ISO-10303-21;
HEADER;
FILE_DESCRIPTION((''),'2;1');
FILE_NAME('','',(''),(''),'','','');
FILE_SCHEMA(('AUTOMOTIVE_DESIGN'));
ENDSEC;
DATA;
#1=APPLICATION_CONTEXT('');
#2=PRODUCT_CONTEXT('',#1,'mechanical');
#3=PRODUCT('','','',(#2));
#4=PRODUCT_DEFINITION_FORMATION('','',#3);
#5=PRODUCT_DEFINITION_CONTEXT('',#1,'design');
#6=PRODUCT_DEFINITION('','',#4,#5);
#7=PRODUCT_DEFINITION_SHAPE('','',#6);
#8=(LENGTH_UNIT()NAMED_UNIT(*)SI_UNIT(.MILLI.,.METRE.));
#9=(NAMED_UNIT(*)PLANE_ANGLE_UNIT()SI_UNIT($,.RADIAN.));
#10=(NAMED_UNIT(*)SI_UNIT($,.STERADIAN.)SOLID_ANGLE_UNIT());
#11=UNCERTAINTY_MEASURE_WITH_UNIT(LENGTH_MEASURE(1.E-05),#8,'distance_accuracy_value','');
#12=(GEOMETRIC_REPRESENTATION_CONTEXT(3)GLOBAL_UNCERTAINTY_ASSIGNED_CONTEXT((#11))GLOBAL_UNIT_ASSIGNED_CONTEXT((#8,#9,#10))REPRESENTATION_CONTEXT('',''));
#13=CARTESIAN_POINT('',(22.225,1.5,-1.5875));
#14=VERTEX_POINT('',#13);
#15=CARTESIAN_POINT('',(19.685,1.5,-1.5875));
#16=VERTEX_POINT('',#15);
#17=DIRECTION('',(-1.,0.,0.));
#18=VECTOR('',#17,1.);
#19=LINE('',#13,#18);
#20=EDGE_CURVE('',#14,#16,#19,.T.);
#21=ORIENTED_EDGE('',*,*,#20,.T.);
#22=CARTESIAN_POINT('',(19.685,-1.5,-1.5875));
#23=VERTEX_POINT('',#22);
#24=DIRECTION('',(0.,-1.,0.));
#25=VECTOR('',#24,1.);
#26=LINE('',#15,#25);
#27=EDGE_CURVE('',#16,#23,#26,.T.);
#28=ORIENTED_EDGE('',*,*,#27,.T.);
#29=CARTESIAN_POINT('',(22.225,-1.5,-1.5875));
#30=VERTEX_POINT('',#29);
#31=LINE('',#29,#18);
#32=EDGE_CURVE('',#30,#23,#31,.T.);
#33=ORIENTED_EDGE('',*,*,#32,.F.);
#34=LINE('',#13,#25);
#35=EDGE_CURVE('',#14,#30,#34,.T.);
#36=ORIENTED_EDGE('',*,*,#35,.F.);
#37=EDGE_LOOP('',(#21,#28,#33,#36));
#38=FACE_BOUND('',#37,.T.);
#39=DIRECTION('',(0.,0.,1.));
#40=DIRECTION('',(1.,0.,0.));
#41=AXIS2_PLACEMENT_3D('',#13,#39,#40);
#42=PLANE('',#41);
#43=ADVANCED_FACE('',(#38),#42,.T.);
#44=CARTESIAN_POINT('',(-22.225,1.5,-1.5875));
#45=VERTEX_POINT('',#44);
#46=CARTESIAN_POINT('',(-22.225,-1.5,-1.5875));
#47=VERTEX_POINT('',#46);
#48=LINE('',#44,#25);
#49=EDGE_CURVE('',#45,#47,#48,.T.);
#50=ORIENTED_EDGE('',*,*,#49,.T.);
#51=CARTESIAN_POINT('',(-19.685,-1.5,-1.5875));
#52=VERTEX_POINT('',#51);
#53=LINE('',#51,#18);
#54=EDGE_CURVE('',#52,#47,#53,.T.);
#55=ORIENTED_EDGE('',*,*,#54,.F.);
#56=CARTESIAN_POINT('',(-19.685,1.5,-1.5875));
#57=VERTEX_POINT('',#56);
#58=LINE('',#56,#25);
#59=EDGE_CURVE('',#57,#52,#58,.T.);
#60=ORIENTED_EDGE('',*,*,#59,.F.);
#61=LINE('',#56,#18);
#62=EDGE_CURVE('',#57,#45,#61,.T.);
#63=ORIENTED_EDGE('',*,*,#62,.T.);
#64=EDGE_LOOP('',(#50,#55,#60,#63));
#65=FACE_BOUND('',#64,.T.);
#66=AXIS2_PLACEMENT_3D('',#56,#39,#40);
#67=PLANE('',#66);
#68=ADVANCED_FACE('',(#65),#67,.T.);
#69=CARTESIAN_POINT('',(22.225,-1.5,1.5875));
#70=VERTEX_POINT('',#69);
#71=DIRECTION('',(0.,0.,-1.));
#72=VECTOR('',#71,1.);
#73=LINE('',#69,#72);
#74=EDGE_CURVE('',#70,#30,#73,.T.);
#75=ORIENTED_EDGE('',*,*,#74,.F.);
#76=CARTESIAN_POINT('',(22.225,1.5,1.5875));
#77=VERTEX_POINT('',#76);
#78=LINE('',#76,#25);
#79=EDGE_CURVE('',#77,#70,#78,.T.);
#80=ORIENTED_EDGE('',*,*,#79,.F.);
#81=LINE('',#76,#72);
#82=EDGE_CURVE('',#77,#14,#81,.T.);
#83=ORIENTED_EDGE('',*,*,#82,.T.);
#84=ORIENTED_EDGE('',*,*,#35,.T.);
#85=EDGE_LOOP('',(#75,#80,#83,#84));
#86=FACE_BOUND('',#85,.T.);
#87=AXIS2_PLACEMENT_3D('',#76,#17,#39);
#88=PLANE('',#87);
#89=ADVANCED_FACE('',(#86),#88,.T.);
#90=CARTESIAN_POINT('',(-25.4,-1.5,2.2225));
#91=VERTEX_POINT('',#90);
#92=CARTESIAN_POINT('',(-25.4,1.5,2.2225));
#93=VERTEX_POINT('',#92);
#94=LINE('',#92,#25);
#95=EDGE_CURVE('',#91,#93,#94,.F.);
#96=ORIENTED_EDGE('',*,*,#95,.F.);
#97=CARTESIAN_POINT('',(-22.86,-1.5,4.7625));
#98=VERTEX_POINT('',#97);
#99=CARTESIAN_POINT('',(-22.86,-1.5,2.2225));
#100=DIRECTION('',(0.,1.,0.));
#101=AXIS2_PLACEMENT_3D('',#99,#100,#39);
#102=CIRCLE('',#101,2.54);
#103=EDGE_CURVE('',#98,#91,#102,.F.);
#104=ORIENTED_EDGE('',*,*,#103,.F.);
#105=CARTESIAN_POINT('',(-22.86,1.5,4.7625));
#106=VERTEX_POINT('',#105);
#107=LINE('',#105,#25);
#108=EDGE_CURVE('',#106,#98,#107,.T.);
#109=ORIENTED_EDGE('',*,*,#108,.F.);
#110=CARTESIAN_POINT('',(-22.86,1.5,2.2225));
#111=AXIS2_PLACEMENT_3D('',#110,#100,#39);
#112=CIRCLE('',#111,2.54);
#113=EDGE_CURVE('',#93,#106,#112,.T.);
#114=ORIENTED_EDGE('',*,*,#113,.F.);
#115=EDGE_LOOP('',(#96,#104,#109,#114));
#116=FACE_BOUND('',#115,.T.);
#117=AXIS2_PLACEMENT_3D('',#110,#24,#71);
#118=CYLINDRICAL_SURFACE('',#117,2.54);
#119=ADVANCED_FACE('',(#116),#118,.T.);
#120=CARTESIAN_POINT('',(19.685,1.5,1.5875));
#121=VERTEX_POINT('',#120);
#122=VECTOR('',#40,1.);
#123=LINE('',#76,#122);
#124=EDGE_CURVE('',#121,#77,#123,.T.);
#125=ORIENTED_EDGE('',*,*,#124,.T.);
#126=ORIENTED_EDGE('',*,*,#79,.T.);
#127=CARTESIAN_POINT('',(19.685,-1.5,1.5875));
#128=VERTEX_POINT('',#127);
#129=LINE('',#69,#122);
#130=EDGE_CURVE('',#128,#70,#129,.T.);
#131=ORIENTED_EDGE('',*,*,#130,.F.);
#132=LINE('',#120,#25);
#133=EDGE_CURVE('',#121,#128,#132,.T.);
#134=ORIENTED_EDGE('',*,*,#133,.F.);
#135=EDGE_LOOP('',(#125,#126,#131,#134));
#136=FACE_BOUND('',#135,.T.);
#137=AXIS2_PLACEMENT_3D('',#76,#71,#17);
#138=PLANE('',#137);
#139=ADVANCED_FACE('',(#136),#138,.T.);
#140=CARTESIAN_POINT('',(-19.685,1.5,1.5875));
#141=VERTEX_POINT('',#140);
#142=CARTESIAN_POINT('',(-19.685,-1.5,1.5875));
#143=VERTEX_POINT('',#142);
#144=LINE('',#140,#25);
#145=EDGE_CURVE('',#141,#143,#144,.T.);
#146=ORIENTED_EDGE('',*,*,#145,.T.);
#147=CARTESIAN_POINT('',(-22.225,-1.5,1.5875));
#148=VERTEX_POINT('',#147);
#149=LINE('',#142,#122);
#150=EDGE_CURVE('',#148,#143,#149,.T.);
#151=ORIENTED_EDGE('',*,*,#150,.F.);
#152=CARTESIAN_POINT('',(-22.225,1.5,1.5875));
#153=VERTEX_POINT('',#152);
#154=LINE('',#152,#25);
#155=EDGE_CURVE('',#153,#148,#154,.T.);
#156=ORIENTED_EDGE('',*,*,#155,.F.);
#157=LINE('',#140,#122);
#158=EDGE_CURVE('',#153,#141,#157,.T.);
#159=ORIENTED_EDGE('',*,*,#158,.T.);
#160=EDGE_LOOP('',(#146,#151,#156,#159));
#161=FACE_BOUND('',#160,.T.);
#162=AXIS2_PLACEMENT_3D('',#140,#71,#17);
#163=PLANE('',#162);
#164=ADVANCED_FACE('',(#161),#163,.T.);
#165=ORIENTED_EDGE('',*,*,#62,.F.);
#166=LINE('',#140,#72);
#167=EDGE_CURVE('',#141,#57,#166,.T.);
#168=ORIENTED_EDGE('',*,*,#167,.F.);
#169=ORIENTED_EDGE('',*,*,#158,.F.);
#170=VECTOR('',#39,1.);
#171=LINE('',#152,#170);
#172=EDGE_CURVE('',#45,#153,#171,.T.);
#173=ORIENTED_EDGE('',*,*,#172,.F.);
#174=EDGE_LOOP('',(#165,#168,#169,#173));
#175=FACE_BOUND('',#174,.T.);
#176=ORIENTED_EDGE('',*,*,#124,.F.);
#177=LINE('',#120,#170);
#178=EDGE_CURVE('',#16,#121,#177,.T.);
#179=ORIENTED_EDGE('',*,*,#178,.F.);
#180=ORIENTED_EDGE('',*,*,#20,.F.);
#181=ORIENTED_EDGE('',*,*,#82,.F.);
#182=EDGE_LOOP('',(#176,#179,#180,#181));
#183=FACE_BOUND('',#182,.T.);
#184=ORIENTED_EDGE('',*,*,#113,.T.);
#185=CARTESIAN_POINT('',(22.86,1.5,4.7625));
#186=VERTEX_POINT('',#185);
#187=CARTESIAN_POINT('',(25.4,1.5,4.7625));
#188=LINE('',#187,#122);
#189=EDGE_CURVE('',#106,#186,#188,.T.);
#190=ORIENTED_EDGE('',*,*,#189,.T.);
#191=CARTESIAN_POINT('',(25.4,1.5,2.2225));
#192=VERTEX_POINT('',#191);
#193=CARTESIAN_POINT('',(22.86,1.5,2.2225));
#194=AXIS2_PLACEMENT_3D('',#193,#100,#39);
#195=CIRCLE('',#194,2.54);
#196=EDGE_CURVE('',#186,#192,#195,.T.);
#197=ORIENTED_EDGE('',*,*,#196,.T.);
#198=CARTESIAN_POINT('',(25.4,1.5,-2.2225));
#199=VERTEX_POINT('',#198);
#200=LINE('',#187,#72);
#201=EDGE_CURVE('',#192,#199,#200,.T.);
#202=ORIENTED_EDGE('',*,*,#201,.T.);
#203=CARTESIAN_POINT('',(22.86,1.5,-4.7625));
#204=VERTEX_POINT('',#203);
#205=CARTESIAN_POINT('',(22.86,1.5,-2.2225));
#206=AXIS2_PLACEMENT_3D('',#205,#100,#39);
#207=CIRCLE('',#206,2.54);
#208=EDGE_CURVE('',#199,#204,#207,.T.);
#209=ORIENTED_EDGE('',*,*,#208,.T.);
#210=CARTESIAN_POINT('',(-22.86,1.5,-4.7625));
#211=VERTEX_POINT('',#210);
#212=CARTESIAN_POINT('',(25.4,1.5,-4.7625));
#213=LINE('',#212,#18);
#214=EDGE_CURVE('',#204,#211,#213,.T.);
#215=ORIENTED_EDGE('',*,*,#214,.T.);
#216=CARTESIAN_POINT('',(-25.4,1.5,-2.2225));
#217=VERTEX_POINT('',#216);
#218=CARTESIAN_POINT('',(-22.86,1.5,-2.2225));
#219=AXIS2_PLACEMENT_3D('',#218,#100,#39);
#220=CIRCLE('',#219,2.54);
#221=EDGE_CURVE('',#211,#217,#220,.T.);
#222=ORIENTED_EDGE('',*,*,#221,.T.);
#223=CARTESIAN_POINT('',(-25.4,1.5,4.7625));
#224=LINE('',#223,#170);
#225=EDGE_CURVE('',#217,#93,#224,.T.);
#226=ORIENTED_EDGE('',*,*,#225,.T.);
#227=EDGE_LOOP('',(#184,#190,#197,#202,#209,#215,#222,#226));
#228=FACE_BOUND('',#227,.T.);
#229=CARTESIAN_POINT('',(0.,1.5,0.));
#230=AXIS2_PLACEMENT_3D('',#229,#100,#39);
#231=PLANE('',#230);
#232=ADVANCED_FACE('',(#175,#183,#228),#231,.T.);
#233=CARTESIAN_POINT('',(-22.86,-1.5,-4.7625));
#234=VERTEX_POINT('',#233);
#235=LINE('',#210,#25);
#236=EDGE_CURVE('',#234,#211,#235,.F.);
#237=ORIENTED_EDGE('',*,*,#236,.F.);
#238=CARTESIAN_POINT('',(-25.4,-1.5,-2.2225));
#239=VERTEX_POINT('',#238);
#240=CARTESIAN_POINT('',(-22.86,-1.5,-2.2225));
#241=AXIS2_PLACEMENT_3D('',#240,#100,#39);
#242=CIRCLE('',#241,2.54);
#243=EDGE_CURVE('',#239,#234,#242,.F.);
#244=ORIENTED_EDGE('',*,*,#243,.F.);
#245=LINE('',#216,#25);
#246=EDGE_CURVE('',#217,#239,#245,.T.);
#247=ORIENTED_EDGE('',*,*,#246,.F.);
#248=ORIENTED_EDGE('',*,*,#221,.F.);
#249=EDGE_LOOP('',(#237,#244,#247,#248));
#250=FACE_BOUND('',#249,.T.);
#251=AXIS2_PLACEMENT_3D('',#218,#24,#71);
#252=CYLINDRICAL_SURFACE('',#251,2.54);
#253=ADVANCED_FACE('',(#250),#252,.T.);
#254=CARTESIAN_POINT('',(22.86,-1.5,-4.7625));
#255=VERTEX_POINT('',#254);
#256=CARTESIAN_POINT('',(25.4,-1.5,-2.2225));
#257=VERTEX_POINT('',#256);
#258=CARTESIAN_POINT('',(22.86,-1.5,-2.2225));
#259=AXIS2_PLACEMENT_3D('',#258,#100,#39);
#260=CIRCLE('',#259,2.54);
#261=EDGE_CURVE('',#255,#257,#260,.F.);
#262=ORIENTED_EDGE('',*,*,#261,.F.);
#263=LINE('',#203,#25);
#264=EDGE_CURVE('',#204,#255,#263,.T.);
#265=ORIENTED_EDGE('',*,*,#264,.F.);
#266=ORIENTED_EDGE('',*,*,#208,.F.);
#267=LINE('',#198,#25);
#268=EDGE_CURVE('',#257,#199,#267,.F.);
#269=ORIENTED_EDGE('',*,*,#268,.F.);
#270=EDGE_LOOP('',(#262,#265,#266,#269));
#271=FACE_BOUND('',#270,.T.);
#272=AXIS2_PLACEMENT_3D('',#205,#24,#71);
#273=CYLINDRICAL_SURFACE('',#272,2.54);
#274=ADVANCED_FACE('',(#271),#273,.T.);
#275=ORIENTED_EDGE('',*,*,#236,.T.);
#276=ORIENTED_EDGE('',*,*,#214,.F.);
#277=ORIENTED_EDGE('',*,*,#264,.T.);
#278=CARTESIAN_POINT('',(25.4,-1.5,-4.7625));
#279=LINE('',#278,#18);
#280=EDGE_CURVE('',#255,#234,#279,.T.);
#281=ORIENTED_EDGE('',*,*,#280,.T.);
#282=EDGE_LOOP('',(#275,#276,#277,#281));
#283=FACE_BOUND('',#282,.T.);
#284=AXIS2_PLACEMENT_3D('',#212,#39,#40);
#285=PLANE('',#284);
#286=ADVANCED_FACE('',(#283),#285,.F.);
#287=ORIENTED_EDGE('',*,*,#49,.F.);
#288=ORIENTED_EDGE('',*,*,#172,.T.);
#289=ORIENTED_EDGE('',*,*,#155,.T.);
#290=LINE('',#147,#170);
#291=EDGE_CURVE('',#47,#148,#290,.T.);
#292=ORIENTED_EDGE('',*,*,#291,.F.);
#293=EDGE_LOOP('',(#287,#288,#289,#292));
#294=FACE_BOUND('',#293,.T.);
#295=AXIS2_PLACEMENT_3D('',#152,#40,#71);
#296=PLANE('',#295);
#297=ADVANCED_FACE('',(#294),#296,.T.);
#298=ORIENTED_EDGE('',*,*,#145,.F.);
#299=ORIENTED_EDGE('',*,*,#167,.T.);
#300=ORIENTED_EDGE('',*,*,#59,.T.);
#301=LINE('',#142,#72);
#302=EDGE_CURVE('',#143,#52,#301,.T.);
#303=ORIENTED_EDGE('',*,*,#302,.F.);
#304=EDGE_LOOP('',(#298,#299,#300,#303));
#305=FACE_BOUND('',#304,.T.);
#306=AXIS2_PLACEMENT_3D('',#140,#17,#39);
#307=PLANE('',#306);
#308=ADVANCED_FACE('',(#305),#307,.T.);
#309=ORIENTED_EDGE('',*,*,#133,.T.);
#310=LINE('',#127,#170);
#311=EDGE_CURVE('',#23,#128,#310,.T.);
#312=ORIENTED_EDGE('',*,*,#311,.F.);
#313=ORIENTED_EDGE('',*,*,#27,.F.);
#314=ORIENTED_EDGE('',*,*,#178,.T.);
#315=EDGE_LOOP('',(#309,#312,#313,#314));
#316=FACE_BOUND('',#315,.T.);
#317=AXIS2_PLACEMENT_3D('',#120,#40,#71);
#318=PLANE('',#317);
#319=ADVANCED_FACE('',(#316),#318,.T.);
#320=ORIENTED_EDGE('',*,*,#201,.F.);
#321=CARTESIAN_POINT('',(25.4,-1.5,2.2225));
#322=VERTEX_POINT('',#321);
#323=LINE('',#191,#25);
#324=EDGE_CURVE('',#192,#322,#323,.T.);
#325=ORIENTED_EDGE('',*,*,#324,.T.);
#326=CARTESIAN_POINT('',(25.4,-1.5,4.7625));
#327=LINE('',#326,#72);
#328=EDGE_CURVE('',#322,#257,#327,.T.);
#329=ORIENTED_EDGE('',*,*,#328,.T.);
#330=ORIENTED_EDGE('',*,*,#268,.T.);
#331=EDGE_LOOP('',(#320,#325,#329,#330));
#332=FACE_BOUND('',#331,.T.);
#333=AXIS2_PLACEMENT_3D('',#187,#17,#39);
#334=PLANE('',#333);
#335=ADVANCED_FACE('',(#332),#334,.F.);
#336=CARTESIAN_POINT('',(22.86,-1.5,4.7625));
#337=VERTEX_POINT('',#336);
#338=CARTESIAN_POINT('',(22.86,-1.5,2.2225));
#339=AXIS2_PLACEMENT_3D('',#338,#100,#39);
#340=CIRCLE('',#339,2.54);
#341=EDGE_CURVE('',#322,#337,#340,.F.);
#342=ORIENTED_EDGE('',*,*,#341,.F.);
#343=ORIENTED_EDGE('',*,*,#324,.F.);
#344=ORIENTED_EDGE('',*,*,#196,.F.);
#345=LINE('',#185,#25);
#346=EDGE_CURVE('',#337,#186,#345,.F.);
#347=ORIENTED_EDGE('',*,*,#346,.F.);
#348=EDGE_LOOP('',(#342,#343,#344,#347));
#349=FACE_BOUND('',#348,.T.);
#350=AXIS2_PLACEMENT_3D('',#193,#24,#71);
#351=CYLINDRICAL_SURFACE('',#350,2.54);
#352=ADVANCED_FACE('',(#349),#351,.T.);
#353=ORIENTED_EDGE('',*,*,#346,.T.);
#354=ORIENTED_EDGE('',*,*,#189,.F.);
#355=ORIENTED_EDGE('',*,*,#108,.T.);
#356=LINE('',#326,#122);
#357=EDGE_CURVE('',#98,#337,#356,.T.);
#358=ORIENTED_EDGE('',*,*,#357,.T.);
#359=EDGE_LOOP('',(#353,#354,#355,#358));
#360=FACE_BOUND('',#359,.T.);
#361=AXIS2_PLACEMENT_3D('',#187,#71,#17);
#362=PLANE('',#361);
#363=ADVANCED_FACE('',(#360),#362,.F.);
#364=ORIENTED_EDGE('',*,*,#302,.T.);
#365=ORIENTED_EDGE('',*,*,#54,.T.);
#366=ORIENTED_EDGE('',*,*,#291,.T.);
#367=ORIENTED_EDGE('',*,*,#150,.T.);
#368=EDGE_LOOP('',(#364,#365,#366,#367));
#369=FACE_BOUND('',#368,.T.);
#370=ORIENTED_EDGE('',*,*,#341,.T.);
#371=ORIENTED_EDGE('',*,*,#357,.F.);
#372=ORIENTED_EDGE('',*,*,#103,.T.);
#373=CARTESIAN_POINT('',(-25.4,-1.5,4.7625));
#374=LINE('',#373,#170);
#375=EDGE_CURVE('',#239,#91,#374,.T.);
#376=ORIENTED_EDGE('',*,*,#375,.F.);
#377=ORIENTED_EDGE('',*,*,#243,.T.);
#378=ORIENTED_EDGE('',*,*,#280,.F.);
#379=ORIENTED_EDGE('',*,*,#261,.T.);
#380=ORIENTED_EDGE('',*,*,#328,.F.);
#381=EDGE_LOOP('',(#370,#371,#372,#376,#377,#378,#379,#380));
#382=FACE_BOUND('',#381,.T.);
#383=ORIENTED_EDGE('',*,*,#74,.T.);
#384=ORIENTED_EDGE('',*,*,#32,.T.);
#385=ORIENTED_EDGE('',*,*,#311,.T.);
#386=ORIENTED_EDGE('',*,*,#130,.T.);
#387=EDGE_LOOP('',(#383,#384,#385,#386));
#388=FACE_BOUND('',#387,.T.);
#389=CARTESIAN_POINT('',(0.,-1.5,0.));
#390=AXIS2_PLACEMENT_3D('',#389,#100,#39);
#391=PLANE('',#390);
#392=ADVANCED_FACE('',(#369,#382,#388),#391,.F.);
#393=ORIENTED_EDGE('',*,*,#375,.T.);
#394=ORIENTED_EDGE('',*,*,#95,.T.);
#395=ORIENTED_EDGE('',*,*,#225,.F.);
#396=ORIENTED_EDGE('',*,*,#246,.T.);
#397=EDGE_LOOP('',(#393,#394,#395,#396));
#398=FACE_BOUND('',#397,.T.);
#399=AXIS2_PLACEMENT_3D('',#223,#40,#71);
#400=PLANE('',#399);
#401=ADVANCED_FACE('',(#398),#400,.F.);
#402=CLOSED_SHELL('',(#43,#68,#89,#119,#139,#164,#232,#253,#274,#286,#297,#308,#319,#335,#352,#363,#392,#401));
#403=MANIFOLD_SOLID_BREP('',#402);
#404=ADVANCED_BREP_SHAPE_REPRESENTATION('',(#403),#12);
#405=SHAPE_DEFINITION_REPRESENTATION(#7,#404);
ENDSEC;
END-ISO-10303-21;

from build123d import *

# Parameters (mm, degrees)
SKETCH1_W           = 50.8
SKETCH1_H           = 9.525
SKETCH1_W_2         = 2.54
SKETCH1_H_2         = 3.175
BOSS_EXTRUDE1_DEPTH = 1.5
FILLET1_R           = 2.54


with BuildPart() as part:
    # Sketch1 → Boss-Extrude1 (new, symmetric)
    with BuildSketch(Plane(origin=(0, 0, 0), x_dir=(1, 0, 0), z_dir=(0, 1, 0))):
        Rectangle(SKETCH1_W, SKETCH1_H)
        with Locations((-20.955, 0)):
            Rectangle(SKETCH1_W_2, SKETCH1_H_2, mode=Mode.SUBTRACT)
        with Locations((20.955, 0)):
            Rectangle(SKETCH1_W_2, SKETCH1_H_2, mode=Mode.SUBTRACT)
    extrude(amount=BOSS_EXTRUDE1_DEPTH, both=True)

    # Fillet1
    fillet1_edges = [part.edges().sort_by_distance(p)[0] for p in [
        (-25.4, 0, -4.7625),
        (25.4, 0, -4.7625),
        (25.4, 0, 4.7625),
        (-25.4, 0, 4.7625),
    ]]
    fillet(fillet1_edges, radius=FILLET1_R)


solid = part.part
